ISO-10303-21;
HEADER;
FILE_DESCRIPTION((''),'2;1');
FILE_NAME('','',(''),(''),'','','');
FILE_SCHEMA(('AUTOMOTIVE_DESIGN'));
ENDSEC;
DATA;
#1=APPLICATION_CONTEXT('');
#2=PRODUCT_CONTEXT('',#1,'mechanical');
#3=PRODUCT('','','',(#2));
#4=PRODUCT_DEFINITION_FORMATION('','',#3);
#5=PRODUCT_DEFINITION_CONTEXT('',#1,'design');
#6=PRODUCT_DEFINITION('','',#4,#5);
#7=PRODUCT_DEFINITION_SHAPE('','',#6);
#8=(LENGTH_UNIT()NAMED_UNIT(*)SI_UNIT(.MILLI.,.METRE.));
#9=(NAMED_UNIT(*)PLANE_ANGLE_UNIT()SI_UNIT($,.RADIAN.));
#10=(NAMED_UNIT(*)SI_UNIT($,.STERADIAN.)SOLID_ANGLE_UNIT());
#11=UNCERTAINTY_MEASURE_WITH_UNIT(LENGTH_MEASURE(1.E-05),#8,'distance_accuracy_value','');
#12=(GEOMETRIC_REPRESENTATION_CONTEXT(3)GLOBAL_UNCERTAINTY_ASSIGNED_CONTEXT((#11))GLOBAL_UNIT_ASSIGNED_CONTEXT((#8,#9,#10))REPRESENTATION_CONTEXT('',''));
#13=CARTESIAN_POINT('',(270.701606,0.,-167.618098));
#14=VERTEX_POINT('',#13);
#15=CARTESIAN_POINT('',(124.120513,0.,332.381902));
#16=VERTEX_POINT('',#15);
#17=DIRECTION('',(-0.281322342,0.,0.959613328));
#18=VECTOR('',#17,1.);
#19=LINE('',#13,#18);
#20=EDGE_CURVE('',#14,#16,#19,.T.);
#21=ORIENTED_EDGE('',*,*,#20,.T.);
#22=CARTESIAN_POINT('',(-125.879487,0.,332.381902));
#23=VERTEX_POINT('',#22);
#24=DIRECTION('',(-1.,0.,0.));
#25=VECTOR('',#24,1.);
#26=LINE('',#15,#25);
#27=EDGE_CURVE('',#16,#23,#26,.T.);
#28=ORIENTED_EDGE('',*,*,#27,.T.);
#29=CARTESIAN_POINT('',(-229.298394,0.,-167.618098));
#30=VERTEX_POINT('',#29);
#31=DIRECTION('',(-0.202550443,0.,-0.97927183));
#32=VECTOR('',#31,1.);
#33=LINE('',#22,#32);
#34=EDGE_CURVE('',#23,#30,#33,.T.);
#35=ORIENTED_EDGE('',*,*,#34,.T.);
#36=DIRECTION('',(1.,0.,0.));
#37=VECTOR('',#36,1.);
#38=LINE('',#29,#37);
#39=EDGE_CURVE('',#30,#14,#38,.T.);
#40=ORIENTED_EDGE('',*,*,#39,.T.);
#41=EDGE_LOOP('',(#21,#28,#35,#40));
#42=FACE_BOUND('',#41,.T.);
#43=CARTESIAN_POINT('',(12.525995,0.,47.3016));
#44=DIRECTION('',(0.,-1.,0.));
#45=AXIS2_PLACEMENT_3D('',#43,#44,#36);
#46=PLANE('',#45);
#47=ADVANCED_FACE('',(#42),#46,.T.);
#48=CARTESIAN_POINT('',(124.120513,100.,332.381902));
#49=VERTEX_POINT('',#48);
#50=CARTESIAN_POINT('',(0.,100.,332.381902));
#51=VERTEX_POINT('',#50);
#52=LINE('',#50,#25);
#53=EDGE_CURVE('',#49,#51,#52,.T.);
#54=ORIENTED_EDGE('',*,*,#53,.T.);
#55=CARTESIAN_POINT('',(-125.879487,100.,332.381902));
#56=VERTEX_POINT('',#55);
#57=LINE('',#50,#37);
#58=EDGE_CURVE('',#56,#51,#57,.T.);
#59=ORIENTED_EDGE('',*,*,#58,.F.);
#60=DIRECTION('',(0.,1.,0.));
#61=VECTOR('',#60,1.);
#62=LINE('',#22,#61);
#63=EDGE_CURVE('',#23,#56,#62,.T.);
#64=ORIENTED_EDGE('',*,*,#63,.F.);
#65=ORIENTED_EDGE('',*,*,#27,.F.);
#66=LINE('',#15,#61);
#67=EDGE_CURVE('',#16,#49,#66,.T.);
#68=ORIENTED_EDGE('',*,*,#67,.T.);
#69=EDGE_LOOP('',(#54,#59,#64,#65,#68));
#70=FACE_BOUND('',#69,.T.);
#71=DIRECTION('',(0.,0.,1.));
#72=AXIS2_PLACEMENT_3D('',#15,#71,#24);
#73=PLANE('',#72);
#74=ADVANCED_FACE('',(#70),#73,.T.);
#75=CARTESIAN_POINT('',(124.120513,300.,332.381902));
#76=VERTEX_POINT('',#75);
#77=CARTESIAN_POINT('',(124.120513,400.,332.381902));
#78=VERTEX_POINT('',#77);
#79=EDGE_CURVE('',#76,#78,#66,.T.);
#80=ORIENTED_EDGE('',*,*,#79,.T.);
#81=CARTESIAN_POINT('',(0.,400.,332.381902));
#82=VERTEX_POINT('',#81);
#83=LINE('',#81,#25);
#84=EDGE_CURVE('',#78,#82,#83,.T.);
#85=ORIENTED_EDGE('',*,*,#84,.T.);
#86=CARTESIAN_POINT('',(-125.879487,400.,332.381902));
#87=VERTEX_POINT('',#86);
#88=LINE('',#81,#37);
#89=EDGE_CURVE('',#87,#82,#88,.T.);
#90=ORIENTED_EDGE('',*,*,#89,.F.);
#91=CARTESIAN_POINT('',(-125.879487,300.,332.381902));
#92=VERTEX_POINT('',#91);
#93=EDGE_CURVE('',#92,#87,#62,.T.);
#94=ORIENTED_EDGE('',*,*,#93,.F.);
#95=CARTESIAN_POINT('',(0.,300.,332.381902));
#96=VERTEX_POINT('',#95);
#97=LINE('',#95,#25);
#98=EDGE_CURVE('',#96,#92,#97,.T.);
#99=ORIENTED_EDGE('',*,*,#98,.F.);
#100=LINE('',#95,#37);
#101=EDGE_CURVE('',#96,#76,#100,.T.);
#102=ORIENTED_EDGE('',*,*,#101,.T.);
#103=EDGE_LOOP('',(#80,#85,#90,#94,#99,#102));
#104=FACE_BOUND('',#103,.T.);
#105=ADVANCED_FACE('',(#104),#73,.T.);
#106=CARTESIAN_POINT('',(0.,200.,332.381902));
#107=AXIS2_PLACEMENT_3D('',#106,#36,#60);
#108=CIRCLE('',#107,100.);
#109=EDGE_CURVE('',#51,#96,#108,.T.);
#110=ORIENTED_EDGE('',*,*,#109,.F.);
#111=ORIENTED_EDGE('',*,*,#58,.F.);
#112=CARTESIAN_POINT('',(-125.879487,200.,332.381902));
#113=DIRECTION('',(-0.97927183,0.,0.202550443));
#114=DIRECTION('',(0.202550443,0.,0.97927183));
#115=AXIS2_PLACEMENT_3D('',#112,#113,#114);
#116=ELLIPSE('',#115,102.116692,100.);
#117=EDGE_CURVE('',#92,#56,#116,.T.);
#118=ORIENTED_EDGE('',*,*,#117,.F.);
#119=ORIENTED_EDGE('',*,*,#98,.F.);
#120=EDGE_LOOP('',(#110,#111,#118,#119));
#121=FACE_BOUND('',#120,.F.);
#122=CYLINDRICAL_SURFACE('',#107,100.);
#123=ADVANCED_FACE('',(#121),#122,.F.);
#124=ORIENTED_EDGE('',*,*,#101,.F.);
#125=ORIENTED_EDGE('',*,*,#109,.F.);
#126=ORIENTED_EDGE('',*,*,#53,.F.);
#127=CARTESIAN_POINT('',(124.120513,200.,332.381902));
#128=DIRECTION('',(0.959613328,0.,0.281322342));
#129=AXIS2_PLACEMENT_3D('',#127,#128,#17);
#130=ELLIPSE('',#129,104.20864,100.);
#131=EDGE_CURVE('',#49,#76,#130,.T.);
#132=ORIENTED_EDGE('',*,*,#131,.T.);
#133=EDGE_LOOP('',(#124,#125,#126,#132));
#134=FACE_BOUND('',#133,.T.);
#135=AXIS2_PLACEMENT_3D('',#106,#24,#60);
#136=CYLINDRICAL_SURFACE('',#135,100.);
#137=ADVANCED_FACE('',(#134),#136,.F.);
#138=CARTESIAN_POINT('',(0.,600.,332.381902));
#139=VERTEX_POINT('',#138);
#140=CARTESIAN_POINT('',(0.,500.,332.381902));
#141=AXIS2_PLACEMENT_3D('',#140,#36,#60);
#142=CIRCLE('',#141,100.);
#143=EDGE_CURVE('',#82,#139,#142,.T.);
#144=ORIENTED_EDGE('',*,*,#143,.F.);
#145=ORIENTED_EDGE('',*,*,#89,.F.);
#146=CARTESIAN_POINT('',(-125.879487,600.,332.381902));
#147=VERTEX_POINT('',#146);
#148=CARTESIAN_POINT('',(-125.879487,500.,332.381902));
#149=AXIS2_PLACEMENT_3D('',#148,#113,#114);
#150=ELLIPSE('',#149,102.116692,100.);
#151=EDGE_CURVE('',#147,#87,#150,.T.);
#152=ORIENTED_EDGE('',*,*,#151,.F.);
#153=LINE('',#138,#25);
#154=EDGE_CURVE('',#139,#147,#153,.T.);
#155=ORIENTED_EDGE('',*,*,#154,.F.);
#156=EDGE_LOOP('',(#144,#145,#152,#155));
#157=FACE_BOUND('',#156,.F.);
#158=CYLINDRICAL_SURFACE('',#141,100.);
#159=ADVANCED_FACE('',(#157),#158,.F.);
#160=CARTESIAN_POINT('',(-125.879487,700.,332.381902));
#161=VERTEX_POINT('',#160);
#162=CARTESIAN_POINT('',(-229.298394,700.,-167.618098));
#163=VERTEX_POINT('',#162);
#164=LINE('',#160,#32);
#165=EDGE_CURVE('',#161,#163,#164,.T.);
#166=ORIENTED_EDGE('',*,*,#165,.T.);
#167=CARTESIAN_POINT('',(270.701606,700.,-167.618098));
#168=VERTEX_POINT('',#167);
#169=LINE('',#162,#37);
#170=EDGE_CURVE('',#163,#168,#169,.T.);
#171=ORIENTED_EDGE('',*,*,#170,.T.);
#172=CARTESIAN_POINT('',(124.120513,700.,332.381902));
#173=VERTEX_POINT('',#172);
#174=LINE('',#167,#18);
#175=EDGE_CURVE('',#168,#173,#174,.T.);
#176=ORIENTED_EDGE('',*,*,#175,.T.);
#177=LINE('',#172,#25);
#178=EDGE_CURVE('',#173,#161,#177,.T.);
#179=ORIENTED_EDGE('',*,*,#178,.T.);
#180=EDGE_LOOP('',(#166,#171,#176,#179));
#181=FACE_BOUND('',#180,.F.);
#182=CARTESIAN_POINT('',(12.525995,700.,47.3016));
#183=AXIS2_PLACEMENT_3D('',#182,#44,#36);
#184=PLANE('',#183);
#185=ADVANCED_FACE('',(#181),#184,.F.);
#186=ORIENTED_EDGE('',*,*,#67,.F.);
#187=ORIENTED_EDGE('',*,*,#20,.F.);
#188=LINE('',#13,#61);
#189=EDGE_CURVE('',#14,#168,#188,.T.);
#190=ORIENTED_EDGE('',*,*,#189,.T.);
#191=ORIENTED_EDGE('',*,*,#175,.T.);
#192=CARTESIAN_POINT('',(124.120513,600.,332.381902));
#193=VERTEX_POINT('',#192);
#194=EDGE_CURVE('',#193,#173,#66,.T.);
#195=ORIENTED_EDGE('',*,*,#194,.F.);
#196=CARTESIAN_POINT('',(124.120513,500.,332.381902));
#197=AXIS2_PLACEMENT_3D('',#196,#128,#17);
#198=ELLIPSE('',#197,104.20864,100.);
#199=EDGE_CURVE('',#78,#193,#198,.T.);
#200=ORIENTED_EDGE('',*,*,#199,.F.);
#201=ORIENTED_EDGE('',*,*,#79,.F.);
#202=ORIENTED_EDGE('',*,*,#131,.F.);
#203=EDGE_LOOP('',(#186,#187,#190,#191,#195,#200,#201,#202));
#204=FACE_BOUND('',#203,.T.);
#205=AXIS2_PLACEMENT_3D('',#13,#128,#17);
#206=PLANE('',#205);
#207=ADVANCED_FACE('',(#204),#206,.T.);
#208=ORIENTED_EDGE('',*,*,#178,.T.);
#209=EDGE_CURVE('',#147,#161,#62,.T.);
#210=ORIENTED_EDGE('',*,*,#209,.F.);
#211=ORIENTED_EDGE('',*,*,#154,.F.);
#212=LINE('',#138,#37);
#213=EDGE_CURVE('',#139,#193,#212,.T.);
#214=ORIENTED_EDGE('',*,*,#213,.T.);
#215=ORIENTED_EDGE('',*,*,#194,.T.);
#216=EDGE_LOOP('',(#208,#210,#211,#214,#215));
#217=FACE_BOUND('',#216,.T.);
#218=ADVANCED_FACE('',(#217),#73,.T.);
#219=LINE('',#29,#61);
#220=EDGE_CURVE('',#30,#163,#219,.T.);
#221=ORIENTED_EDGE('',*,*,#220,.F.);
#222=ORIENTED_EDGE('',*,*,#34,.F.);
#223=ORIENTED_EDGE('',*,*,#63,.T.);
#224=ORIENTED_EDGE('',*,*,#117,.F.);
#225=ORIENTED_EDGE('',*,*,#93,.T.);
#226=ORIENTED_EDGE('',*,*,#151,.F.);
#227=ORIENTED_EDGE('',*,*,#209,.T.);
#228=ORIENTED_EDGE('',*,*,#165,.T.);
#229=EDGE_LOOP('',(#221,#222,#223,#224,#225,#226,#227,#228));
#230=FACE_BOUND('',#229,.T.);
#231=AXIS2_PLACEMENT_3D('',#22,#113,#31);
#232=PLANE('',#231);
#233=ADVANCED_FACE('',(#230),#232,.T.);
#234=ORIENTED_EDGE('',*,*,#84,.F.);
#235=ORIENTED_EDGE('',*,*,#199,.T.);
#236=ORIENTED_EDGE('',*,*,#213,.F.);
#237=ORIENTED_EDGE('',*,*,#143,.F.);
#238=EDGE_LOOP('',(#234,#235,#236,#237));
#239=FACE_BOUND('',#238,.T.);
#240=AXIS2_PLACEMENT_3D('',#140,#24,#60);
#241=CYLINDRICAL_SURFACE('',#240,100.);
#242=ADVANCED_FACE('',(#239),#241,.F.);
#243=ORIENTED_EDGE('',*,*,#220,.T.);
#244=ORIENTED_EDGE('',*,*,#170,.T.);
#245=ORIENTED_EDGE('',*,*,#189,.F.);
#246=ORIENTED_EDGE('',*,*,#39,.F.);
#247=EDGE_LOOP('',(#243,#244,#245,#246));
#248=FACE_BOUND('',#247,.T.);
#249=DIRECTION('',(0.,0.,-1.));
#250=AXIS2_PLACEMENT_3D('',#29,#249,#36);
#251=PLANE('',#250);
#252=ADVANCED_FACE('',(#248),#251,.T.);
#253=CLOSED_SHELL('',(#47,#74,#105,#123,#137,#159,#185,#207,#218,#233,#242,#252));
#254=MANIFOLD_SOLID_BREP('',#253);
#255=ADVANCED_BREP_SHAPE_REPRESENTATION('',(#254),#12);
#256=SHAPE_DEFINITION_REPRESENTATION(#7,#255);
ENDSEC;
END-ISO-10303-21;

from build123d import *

# Parameters (mm, degrees)
F1_DEPTH      = 700
F2_R          = 100
F3_DEPTH      = 400
F3_DEPTH_BACK = 310


with BuildPart() as f1:
    # F0 (on Front) → F1 (new body)
    with BuildSketch(Plane.XZ):
        Polygon((270.7016063785, -167.6180982615), (124.1205126206, 332.3819017385), (-125.8794873794, 332.3819017385), (-229.2983936215, -167.6180982615), align=None)
    extrude(amount=-F1_DEPTH)

    # F2 (on Right) → F3 (cut, two sides)
    with BuildSketch(Plane.YZ) as f3_sk:
        with Locations((200, 332.3819017385)):
            Circle(F2_R)
        with Locations((500, 332.3819017385)):
            Circle(F2_R)
    extrude(amount=-F3_DEPTH, mode=Mode.SUBTRACT)
    extrude(f3_sk.sketch, amount=F3_DEPTH_BACK, mode=Mode.SUBTRACT)


solid = f1.part
